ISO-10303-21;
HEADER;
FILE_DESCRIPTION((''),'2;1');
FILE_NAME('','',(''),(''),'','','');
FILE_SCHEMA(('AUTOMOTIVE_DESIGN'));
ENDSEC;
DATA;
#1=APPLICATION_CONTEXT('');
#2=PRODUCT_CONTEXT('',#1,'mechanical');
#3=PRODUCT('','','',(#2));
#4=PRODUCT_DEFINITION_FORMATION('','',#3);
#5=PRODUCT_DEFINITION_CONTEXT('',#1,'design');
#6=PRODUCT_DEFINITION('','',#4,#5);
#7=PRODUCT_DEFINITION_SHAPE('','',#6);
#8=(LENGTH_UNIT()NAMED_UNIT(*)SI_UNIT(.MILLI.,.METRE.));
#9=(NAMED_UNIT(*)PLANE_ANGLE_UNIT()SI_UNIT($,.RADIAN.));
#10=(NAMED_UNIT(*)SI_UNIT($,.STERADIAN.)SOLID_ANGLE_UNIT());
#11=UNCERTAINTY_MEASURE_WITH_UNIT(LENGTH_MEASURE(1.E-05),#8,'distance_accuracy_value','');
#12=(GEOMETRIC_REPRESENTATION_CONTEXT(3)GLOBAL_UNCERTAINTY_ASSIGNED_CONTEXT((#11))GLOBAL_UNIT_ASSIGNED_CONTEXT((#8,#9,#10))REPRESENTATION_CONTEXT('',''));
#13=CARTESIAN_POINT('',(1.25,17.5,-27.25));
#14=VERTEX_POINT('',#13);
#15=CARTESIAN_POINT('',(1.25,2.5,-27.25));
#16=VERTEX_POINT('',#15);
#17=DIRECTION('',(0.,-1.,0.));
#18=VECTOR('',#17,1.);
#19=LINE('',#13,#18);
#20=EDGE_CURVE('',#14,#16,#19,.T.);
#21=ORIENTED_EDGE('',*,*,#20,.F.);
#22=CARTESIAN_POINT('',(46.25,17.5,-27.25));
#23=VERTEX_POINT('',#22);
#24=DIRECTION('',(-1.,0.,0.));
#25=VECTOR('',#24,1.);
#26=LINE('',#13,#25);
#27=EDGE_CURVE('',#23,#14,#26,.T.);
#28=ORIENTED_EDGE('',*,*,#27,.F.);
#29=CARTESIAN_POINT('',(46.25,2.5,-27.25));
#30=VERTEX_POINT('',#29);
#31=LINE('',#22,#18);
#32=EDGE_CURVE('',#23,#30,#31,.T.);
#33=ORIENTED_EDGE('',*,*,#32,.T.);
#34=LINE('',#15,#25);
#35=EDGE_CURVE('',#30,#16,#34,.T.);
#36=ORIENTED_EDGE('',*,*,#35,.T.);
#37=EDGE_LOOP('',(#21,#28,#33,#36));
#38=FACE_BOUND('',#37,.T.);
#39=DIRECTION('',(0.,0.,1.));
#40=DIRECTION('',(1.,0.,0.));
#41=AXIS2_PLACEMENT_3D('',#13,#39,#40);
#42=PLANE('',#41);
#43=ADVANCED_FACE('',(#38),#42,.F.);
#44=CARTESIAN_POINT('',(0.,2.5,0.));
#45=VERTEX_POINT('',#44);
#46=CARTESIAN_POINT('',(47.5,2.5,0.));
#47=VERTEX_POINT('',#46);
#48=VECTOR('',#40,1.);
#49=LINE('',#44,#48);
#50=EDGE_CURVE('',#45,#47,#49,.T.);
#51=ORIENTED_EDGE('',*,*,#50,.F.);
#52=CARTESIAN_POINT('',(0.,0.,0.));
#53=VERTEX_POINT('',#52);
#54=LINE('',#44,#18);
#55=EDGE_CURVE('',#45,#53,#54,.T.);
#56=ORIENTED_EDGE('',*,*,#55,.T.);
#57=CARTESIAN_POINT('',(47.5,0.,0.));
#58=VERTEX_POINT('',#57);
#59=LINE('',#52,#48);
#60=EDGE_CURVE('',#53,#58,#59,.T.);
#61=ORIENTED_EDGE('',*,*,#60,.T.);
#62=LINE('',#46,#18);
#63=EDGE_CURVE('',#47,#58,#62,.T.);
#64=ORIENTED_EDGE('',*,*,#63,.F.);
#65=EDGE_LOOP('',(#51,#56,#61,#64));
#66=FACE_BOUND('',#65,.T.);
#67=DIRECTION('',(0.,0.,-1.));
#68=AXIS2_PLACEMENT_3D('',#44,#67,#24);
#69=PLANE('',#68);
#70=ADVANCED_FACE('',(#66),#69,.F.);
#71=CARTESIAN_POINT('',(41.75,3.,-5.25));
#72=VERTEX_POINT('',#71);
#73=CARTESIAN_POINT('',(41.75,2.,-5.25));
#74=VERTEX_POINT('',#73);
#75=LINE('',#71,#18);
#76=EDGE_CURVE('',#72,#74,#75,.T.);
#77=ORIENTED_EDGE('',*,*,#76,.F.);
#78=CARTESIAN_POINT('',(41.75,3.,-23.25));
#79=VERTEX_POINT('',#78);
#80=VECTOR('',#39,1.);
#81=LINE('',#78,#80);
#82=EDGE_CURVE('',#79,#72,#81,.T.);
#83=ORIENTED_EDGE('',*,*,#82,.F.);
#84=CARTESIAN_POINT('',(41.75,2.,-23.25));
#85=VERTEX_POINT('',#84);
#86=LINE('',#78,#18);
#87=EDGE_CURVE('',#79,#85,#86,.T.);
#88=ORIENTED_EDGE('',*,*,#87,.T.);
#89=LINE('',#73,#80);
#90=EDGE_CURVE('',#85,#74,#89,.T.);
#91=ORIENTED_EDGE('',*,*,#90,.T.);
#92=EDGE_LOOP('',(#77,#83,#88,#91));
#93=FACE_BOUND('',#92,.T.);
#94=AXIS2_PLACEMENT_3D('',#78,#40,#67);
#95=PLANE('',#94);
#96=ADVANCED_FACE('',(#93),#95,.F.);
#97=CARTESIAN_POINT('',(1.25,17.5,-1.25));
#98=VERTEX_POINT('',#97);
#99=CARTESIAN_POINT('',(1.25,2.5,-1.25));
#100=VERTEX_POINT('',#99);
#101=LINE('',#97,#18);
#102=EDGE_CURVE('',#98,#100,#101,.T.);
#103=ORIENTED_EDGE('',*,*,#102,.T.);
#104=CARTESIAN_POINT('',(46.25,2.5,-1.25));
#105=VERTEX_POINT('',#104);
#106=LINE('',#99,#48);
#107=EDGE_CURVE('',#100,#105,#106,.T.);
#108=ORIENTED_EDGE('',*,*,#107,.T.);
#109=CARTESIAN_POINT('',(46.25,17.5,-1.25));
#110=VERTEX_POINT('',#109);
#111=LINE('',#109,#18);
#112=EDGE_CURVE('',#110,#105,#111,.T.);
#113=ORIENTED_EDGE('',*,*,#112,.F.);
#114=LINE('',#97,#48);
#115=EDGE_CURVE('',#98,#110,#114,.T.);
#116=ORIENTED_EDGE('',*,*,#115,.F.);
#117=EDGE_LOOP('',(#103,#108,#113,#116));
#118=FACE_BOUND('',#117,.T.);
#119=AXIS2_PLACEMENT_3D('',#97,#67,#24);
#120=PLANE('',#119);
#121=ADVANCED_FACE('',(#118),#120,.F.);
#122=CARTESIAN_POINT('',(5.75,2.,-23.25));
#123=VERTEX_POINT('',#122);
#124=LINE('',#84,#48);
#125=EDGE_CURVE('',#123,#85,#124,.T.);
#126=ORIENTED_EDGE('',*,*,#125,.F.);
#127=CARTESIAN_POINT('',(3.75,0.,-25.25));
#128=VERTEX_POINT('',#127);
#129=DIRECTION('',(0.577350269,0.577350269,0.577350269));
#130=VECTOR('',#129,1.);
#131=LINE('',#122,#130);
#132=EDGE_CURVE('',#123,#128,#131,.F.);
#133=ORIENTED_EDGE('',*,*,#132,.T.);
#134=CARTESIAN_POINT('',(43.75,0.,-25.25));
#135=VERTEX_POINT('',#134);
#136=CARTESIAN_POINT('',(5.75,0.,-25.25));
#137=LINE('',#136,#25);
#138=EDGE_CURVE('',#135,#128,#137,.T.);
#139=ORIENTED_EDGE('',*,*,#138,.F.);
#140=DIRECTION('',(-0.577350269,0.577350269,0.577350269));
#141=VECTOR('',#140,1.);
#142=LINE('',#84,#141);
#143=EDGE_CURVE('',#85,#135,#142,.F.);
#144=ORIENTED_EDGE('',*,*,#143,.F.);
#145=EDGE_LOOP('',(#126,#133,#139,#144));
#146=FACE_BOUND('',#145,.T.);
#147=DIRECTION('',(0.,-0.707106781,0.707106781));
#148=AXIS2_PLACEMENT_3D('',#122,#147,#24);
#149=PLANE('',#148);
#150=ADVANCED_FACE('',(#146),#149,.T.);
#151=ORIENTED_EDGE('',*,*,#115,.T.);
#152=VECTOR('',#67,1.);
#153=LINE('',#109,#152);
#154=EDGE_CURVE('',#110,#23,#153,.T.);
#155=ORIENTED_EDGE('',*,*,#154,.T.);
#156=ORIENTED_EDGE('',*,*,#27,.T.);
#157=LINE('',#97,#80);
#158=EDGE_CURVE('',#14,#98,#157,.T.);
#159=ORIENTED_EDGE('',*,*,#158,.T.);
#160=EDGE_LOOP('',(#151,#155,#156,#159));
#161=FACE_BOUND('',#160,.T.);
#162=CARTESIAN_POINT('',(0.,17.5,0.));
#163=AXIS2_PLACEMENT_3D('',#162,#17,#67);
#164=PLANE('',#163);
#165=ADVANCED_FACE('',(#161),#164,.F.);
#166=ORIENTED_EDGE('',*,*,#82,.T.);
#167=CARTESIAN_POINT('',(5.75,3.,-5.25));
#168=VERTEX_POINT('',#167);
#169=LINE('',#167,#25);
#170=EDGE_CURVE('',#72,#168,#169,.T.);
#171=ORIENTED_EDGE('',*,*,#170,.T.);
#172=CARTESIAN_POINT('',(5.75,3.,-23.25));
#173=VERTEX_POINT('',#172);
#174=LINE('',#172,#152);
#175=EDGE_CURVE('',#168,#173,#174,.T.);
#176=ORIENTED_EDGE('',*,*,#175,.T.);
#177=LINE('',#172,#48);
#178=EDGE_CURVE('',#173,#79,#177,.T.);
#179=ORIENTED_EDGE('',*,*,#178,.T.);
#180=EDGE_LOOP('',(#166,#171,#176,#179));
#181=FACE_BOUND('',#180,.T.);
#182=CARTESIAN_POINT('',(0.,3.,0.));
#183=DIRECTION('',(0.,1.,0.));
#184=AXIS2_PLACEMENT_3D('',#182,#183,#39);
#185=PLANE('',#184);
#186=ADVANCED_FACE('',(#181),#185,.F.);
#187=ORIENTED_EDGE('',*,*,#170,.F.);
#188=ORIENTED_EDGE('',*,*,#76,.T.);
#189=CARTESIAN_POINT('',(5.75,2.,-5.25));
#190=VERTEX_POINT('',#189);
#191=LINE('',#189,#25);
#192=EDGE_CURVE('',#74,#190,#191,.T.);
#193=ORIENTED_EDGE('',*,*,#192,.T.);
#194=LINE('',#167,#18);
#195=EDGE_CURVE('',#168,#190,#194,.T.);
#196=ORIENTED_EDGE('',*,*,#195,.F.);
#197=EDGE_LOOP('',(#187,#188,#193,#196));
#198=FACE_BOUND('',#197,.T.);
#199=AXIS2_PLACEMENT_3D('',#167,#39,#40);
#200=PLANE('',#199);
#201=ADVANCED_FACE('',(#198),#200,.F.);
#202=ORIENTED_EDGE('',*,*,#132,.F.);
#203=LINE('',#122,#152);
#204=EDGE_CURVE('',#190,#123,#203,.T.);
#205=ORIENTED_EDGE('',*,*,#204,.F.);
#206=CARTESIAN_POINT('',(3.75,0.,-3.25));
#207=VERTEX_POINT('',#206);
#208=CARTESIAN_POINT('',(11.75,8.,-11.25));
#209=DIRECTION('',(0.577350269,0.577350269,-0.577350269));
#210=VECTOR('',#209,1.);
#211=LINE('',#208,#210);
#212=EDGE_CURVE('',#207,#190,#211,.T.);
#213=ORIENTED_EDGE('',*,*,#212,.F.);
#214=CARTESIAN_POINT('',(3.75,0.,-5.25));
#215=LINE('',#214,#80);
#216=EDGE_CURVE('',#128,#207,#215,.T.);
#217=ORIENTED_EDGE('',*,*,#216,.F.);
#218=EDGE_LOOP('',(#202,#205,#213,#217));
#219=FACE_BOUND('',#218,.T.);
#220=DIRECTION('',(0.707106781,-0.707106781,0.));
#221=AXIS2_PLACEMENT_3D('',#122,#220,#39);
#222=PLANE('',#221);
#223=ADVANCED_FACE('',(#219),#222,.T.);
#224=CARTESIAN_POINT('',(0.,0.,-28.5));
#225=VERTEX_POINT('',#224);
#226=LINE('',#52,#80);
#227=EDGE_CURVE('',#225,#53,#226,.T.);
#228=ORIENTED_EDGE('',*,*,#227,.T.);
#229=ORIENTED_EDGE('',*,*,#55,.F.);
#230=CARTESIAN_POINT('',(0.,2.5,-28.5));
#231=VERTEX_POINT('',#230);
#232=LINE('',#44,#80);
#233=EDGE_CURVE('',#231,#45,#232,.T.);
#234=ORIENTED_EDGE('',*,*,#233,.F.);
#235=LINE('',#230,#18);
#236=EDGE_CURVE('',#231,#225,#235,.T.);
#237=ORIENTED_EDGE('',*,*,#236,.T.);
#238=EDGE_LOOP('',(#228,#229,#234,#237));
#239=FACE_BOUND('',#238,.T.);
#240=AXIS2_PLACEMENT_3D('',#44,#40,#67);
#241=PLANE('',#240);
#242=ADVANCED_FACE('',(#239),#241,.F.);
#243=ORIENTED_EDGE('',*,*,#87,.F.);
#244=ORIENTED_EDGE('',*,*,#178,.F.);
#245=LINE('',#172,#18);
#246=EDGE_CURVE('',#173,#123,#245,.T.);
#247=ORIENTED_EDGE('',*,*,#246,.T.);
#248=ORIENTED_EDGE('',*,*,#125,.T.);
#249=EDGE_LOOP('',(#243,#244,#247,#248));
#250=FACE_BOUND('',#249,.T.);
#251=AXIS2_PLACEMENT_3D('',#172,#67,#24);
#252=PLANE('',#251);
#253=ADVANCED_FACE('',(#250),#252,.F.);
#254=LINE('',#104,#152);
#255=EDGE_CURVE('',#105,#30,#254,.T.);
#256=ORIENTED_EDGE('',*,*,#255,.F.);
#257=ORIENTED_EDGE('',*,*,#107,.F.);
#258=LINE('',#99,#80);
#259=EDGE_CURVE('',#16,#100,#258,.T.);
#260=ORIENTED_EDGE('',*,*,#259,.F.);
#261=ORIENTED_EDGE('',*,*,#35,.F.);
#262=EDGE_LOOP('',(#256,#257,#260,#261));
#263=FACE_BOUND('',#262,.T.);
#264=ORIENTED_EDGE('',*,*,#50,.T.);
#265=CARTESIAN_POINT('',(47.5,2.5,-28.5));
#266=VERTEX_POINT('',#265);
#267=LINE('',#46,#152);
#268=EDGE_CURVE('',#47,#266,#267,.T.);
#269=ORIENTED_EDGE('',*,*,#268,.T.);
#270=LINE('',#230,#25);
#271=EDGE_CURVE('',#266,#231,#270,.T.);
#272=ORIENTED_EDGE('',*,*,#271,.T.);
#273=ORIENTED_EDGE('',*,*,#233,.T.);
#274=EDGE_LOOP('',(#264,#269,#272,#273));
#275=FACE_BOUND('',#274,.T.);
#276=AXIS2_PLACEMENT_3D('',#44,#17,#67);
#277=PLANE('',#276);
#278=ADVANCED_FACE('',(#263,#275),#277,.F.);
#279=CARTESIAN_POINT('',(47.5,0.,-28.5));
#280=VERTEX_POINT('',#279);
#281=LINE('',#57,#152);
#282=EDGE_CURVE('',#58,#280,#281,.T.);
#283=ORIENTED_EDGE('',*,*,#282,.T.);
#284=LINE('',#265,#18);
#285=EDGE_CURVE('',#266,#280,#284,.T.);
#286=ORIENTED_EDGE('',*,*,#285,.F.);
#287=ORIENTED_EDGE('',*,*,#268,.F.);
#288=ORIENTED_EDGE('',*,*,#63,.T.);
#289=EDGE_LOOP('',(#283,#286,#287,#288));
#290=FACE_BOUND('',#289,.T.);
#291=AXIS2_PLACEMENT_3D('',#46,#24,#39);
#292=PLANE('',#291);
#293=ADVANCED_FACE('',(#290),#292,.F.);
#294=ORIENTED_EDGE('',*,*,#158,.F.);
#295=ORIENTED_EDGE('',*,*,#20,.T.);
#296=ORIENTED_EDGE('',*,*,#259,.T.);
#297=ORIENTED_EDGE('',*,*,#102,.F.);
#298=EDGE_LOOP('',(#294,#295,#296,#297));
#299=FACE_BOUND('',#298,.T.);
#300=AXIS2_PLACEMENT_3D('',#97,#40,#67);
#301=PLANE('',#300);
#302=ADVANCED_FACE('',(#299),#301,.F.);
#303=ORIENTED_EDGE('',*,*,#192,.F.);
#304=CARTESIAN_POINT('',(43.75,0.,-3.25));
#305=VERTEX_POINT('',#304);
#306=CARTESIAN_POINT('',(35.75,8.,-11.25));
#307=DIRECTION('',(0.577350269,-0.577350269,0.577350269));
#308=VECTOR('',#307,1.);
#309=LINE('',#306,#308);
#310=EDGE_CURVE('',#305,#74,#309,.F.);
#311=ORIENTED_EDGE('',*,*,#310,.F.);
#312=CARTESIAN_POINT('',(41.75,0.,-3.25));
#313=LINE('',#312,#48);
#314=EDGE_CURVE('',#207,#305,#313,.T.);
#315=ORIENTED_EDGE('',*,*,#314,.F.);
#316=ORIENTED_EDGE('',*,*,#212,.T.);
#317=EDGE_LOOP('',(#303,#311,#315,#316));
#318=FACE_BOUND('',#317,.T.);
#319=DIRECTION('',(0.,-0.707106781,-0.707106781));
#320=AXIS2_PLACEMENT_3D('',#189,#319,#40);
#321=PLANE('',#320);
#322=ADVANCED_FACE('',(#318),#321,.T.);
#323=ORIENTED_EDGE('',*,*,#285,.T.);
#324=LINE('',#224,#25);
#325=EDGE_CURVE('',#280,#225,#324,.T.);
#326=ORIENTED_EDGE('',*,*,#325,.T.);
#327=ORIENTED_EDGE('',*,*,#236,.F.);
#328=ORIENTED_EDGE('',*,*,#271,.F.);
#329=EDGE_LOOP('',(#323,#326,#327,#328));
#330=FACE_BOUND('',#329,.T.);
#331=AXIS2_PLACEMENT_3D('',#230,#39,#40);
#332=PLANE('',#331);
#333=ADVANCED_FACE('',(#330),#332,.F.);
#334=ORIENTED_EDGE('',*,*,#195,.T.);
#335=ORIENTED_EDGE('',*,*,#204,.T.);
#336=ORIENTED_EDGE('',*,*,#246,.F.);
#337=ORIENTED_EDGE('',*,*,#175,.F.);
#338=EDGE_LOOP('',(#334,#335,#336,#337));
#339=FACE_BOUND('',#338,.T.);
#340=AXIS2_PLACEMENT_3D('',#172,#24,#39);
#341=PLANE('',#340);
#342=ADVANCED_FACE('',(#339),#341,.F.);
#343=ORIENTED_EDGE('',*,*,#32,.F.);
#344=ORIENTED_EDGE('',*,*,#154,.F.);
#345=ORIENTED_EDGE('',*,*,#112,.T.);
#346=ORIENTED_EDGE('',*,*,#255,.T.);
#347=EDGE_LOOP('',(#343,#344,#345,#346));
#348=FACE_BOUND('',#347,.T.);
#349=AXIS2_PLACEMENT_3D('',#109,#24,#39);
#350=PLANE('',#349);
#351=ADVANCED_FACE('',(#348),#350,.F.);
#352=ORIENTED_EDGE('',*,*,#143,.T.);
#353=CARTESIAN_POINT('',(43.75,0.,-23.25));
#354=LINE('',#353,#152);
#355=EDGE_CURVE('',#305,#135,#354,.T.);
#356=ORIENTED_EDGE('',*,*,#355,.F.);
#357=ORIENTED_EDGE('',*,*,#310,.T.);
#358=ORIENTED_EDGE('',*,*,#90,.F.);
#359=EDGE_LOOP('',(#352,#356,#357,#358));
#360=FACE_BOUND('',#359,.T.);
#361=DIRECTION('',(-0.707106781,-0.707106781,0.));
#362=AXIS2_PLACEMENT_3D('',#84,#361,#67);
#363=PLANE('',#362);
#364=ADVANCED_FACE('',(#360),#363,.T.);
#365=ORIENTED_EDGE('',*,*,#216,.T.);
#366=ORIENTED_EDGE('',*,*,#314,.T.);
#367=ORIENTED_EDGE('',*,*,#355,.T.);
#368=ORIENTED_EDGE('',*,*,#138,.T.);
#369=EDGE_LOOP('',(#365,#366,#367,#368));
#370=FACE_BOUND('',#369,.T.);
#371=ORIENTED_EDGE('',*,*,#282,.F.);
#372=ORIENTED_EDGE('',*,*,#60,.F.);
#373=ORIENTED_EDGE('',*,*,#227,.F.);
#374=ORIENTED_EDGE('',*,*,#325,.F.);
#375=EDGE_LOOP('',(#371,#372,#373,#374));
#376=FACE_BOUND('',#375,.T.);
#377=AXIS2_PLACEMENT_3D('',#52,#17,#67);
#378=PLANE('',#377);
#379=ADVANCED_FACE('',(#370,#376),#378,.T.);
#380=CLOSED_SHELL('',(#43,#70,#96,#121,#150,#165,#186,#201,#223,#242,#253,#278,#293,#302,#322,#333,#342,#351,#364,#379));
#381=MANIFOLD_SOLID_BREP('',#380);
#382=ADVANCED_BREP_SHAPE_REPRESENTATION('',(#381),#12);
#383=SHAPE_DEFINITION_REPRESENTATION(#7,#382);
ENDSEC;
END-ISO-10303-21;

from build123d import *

# Parameters (mm, degrees)
SKETCH_1_W          = 47.5
SKETCH_1_H          = 28.5
EXTRUDE_1_DEPTH     = 2.5
SKETCH_2_W          = 45
SKETCH_2_H          = 26
EXTRUDE_2_DEPTH     = 15
SKETCH_3_W          = 36
SKETCH_3_H          = 18
CUT_EXTRUDE_1_DEPTH = 3
CHAMFER_1_SIZE      = 2


with BuildPart() as part:
    # 草图1 → 凸台-拉伸1 (new body)
    with BuildSketch(Plane(origin=(0, 0, 0), x_dir=(1, 0, 0), z_dir=(0, 1, 0))):
        with Locations((23.75, 14.25)):
            Rectangle(SKETCH_1_W, SKETCH_1_H)
    extrude(amount=EXTRUDE_1_DEPTH)

    # 草图2 → 凸台-拉伸2 (add)
    with BuildSketch(Plane(origin=(0, 2.5, 0), x_dir=(1, 0, 0), z_dir=(0, 1, 0))):
        with Locations((23.75, 14.25)):
            Rectangle(SKETCH_2_W, SKETCH_2_H)
    extrude(amount=EXTRUDE_2_DEPTH)

    # 草图3 → 切除-拉伸1 (cut)
    with BuildSketch(Plane.XZ):
        with Locations((23.75, -14.25)):
            Rectangle(SKETCH_3_W, SKETCH_3_H)
    extrude(amount=-CUT_EXTRUDE_1_DEPTH, mode=Mode.SUBTRACT)

    # 倒角1
    chamfer_1_edges = [part.edges().sort_by_distance(p)[0] for p in [
        (41.75, 0, -14.25),
        (23.75, 0, -5.25),
        (5.75, 0, -14.25),
        (23.75, 0, -23.25),
    ]]
    chamfer(chamfer_1_edges, length=CHAMFER_1_SIZE)


solid = part.part
